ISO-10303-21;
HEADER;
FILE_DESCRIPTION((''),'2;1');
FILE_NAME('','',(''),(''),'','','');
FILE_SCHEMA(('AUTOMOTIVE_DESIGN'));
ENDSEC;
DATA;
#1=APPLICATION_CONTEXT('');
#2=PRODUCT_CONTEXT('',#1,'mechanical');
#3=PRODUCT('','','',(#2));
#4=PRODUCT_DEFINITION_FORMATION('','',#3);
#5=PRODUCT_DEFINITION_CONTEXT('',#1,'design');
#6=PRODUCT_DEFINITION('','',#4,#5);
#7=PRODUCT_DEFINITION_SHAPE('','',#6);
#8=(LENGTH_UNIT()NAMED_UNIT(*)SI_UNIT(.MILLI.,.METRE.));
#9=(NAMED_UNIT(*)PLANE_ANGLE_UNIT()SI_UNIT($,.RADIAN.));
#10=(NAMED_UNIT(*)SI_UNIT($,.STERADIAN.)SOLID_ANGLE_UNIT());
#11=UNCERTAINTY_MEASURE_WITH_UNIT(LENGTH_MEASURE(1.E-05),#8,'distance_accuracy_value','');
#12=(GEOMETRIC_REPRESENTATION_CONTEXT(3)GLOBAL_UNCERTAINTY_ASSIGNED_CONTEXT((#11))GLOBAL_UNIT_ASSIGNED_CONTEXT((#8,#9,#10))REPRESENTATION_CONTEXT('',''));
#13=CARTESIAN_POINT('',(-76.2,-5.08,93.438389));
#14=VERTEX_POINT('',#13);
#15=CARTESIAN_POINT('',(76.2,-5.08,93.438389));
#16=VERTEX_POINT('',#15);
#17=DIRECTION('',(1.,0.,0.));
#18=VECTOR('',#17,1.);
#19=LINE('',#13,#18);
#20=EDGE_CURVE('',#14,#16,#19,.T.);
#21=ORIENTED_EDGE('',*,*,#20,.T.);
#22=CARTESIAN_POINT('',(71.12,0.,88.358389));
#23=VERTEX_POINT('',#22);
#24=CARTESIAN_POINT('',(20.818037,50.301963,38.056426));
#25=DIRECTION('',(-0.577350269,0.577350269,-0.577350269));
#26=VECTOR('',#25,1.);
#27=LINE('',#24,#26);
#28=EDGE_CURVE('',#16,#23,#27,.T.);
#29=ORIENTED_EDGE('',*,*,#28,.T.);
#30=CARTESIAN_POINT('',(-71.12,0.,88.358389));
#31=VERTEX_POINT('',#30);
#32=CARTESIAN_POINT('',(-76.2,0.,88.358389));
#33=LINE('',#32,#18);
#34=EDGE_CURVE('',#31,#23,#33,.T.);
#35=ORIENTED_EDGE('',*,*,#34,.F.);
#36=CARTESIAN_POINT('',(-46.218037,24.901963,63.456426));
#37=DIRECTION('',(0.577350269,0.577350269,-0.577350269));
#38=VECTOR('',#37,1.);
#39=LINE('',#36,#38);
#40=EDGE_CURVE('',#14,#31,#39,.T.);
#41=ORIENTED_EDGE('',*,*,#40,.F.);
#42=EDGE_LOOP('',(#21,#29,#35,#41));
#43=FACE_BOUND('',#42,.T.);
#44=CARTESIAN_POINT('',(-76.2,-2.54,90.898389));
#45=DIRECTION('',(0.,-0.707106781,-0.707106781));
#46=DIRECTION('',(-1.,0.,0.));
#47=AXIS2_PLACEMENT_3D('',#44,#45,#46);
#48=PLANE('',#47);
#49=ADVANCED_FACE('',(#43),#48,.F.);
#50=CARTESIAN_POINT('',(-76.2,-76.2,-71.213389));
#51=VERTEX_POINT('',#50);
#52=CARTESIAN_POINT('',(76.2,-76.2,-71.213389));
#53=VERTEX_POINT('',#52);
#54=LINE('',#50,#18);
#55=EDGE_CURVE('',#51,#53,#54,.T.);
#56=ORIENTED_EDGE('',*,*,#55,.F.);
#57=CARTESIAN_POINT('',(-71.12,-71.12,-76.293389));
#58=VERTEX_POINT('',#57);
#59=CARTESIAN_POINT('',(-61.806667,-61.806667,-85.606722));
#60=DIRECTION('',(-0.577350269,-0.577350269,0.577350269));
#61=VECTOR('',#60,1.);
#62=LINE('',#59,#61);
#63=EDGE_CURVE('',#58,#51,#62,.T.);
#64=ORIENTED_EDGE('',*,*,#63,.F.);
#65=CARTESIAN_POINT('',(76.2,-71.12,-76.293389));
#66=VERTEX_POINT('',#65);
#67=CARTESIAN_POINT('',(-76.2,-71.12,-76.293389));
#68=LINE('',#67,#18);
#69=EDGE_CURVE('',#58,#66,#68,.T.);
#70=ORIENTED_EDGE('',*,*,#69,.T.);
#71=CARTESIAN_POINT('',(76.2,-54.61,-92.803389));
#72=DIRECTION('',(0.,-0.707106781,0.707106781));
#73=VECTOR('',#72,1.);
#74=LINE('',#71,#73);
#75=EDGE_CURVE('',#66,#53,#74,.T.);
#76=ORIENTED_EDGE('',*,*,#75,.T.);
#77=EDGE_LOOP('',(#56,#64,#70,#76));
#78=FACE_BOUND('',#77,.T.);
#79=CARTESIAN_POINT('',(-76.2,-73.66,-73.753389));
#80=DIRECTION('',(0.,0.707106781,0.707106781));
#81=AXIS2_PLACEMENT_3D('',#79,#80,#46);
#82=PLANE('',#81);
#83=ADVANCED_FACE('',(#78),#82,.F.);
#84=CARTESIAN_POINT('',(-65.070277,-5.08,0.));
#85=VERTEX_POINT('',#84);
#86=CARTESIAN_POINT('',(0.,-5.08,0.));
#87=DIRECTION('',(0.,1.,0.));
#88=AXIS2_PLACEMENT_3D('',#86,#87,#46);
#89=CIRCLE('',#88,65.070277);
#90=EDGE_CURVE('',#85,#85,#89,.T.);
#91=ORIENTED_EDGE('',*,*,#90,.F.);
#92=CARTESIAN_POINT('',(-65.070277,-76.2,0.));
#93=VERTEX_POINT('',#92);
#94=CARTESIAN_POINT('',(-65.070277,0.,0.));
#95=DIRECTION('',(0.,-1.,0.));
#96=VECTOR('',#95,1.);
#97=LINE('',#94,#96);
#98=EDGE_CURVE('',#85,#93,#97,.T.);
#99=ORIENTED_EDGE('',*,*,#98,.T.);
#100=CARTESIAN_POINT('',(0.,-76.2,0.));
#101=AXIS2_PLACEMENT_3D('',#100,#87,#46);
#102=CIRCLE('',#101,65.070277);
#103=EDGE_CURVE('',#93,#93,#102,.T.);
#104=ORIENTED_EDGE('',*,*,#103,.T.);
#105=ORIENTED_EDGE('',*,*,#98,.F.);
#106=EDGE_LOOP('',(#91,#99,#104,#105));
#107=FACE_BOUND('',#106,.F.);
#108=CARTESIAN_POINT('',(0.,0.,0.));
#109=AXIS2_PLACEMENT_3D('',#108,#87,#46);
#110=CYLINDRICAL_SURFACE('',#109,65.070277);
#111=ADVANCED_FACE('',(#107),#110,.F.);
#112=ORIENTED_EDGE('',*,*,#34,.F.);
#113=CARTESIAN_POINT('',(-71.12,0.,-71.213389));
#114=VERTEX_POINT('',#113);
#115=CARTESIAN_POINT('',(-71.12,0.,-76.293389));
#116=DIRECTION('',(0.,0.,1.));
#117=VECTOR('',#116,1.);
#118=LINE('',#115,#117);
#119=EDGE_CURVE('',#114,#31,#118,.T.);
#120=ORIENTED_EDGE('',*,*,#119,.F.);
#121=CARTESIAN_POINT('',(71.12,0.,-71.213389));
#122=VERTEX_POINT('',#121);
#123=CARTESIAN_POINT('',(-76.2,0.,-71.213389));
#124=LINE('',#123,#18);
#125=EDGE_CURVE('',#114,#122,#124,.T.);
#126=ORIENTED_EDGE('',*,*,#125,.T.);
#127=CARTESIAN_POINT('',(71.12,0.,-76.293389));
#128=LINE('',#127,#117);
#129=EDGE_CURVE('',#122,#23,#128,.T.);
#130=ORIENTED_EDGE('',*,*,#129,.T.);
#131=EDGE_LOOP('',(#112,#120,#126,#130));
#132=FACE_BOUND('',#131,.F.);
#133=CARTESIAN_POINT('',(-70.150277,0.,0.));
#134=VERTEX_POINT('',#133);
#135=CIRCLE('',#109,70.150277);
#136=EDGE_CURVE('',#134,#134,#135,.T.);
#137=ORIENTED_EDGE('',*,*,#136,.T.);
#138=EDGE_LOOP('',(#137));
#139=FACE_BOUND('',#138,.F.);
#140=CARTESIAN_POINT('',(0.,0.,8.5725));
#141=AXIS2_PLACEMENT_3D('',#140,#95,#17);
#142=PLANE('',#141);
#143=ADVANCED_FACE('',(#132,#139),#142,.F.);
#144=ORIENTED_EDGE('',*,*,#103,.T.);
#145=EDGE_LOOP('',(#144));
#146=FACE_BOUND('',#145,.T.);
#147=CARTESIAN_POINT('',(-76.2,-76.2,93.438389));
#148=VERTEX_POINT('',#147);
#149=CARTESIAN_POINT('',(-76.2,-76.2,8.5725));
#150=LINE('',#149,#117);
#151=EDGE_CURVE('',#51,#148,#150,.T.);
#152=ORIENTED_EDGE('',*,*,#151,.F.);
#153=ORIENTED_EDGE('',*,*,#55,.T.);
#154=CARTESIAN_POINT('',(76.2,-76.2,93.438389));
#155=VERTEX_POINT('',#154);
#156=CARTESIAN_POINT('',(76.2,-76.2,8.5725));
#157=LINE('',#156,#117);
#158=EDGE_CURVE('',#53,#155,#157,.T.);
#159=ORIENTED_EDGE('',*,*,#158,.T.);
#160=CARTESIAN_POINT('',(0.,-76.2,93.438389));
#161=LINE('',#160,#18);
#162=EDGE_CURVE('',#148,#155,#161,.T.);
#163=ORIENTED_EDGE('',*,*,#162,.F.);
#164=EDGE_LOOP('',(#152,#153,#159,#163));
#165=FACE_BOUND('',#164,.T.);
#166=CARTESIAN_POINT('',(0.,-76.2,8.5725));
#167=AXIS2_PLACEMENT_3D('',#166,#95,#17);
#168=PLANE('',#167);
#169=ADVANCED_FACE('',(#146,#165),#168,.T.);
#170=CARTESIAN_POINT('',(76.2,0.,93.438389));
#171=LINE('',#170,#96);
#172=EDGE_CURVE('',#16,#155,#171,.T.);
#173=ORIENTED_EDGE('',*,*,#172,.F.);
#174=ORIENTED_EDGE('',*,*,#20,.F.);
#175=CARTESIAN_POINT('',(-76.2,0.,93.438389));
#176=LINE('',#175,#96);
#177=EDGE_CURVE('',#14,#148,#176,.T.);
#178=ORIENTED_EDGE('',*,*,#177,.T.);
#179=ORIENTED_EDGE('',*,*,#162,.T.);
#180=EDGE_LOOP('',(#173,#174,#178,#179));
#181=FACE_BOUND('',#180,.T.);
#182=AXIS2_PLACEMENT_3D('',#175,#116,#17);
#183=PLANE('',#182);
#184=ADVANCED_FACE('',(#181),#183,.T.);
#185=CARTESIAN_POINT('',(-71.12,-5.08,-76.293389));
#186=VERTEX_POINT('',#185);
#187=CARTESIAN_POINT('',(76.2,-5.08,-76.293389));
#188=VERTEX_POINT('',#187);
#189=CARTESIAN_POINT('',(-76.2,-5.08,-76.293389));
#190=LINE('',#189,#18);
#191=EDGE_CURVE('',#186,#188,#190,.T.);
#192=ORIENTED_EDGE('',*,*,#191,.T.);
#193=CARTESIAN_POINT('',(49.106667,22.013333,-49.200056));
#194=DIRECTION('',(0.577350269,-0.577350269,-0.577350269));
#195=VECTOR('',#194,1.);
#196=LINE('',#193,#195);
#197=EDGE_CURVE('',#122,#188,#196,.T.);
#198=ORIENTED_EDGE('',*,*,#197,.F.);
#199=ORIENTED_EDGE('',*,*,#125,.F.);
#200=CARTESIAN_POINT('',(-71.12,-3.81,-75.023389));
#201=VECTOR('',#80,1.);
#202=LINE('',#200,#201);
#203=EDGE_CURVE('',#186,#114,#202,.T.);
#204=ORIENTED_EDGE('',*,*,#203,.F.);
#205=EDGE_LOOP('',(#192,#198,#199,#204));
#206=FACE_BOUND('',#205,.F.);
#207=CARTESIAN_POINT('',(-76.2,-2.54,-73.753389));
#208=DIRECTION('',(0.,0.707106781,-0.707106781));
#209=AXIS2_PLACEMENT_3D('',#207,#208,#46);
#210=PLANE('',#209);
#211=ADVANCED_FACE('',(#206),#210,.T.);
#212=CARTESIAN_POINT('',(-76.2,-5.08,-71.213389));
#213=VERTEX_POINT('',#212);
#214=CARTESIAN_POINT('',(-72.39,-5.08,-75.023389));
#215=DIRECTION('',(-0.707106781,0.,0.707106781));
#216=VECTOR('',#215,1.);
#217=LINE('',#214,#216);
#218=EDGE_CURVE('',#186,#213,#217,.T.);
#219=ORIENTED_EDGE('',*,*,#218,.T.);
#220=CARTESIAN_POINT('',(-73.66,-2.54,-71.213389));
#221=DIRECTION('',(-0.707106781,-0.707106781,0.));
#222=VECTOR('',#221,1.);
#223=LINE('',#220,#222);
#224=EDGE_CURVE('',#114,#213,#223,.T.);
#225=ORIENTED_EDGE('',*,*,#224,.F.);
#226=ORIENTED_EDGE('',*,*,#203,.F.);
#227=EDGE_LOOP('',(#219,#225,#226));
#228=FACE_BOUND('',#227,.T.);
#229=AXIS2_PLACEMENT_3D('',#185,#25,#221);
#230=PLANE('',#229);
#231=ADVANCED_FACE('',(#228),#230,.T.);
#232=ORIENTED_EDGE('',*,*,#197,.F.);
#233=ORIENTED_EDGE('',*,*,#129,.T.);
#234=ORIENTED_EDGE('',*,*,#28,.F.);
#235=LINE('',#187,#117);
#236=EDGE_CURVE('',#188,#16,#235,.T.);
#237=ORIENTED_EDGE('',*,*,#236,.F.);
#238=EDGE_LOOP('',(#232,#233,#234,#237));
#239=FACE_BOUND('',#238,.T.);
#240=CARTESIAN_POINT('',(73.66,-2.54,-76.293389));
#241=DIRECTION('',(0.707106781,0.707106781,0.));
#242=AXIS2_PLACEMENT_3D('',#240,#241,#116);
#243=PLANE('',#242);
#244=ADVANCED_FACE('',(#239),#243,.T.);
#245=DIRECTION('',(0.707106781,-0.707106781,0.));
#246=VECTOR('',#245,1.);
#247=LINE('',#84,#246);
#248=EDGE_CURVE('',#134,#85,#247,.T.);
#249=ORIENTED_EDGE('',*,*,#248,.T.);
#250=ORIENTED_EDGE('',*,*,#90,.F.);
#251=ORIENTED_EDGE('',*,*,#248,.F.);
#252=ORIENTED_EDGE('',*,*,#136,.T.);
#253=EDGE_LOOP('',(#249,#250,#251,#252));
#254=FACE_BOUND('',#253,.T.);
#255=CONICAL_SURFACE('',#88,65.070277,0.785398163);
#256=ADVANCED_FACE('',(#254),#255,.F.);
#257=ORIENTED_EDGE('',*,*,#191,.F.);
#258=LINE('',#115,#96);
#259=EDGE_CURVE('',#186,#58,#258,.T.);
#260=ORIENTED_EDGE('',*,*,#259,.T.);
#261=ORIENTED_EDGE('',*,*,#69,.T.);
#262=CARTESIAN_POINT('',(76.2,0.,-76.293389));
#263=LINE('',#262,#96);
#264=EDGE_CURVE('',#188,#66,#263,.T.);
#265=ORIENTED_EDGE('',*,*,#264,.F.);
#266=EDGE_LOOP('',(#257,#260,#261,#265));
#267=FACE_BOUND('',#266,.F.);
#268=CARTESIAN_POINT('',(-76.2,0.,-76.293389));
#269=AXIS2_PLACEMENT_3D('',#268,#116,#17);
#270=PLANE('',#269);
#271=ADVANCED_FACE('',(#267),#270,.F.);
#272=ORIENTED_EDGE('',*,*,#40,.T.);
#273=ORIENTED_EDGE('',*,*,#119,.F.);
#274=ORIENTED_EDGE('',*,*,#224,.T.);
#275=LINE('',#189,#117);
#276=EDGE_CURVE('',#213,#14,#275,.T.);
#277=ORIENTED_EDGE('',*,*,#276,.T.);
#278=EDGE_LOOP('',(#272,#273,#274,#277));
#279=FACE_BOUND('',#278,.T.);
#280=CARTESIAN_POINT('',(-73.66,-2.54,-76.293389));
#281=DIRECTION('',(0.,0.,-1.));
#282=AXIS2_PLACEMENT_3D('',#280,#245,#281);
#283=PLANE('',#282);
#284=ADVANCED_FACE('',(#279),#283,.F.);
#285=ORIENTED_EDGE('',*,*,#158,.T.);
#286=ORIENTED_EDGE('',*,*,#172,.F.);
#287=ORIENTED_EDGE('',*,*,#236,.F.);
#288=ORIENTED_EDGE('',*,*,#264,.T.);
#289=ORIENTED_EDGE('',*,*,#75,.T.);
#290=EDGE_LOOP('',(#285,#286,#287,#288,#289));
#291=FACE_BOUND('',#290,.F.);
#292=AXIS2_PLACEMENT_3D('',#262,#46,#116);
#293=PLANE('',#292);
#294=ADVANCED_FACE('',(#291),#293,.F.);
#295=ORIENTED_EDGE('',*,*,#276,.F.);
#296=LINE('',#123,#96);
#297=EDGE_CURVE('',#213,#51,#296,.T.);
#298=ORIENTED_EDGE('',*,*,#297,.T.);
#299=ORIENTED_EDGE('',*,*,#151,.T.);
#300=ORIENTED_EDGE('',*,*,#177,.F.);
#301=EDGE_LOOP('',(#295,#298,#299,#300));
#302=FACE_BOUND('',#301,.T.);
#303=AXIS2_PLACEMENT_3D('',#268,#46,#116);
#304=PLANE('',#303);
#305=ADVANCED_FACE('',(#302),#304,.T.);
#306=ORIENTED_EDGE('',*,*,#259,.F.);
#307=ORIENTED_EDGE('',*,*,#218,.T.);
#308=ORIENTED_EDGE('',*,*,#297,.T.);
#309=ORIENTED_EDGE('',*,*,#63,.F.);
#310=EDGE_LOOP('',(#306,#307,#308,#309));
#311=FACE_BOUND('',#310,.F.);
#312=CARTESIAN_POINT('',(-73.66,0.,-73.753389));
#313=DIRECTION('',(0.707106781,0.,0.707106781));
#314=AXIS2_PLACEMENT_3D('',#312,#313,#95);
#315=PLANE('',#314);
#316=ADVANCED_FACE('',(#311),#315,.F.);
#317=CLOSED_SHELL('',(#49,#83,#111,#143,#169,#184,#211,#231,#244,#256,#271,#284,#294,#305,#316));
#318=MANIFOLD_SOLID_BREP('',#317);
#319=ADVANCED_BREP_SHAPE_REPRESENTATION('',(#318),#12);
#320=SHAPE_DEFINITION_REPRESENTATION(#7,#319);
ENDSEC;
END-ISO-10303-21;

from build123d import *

# Parameters (mm, degrees)
F0_W     = 152.4
F0_H     = 169.731778
F1_DEPTH = 76.2
F2_R     = 65.070277
F3_DEPTH = 76.201
F4_SIZE  = 5.08


with BuildPart() as f1:
    # F0 (on Front) → F1 (new body)
    with BuildSketch(Plane.XZ):
        with Locations((0, 8.5725)):
            Rectangle(F0_W, F0_H)
    extrude(amount=F1_DEPTH)

    # F2 (on face) → F3 (cut, through all)
    with BuildSketch(Plane(origin=(0, 0, 0), x_dir=(-1, 0, 0), z_dir=(0, 1, 0))):
        Circle(F2_R)
    extrude(amount=-F3_DEPTH, mode=Mode.SUBTRACT)

    # F4
    f4_edges = [f1.edges().sort_by_distance(p)[0] for p in [
        (-76.2, 0, 8.5725),
        (0, 0, 93.438389),
        (76.2, 0, 8.5725),
        (0, 0, -76.293389),
        (65.070277, 0, 0),
        (0, -76.2, -76.293389),
        (-76.2, -38.1, -76.293389),
    ]]
    chamfer(f4_edges, length=F4_SIZE)


solid = f1.part
